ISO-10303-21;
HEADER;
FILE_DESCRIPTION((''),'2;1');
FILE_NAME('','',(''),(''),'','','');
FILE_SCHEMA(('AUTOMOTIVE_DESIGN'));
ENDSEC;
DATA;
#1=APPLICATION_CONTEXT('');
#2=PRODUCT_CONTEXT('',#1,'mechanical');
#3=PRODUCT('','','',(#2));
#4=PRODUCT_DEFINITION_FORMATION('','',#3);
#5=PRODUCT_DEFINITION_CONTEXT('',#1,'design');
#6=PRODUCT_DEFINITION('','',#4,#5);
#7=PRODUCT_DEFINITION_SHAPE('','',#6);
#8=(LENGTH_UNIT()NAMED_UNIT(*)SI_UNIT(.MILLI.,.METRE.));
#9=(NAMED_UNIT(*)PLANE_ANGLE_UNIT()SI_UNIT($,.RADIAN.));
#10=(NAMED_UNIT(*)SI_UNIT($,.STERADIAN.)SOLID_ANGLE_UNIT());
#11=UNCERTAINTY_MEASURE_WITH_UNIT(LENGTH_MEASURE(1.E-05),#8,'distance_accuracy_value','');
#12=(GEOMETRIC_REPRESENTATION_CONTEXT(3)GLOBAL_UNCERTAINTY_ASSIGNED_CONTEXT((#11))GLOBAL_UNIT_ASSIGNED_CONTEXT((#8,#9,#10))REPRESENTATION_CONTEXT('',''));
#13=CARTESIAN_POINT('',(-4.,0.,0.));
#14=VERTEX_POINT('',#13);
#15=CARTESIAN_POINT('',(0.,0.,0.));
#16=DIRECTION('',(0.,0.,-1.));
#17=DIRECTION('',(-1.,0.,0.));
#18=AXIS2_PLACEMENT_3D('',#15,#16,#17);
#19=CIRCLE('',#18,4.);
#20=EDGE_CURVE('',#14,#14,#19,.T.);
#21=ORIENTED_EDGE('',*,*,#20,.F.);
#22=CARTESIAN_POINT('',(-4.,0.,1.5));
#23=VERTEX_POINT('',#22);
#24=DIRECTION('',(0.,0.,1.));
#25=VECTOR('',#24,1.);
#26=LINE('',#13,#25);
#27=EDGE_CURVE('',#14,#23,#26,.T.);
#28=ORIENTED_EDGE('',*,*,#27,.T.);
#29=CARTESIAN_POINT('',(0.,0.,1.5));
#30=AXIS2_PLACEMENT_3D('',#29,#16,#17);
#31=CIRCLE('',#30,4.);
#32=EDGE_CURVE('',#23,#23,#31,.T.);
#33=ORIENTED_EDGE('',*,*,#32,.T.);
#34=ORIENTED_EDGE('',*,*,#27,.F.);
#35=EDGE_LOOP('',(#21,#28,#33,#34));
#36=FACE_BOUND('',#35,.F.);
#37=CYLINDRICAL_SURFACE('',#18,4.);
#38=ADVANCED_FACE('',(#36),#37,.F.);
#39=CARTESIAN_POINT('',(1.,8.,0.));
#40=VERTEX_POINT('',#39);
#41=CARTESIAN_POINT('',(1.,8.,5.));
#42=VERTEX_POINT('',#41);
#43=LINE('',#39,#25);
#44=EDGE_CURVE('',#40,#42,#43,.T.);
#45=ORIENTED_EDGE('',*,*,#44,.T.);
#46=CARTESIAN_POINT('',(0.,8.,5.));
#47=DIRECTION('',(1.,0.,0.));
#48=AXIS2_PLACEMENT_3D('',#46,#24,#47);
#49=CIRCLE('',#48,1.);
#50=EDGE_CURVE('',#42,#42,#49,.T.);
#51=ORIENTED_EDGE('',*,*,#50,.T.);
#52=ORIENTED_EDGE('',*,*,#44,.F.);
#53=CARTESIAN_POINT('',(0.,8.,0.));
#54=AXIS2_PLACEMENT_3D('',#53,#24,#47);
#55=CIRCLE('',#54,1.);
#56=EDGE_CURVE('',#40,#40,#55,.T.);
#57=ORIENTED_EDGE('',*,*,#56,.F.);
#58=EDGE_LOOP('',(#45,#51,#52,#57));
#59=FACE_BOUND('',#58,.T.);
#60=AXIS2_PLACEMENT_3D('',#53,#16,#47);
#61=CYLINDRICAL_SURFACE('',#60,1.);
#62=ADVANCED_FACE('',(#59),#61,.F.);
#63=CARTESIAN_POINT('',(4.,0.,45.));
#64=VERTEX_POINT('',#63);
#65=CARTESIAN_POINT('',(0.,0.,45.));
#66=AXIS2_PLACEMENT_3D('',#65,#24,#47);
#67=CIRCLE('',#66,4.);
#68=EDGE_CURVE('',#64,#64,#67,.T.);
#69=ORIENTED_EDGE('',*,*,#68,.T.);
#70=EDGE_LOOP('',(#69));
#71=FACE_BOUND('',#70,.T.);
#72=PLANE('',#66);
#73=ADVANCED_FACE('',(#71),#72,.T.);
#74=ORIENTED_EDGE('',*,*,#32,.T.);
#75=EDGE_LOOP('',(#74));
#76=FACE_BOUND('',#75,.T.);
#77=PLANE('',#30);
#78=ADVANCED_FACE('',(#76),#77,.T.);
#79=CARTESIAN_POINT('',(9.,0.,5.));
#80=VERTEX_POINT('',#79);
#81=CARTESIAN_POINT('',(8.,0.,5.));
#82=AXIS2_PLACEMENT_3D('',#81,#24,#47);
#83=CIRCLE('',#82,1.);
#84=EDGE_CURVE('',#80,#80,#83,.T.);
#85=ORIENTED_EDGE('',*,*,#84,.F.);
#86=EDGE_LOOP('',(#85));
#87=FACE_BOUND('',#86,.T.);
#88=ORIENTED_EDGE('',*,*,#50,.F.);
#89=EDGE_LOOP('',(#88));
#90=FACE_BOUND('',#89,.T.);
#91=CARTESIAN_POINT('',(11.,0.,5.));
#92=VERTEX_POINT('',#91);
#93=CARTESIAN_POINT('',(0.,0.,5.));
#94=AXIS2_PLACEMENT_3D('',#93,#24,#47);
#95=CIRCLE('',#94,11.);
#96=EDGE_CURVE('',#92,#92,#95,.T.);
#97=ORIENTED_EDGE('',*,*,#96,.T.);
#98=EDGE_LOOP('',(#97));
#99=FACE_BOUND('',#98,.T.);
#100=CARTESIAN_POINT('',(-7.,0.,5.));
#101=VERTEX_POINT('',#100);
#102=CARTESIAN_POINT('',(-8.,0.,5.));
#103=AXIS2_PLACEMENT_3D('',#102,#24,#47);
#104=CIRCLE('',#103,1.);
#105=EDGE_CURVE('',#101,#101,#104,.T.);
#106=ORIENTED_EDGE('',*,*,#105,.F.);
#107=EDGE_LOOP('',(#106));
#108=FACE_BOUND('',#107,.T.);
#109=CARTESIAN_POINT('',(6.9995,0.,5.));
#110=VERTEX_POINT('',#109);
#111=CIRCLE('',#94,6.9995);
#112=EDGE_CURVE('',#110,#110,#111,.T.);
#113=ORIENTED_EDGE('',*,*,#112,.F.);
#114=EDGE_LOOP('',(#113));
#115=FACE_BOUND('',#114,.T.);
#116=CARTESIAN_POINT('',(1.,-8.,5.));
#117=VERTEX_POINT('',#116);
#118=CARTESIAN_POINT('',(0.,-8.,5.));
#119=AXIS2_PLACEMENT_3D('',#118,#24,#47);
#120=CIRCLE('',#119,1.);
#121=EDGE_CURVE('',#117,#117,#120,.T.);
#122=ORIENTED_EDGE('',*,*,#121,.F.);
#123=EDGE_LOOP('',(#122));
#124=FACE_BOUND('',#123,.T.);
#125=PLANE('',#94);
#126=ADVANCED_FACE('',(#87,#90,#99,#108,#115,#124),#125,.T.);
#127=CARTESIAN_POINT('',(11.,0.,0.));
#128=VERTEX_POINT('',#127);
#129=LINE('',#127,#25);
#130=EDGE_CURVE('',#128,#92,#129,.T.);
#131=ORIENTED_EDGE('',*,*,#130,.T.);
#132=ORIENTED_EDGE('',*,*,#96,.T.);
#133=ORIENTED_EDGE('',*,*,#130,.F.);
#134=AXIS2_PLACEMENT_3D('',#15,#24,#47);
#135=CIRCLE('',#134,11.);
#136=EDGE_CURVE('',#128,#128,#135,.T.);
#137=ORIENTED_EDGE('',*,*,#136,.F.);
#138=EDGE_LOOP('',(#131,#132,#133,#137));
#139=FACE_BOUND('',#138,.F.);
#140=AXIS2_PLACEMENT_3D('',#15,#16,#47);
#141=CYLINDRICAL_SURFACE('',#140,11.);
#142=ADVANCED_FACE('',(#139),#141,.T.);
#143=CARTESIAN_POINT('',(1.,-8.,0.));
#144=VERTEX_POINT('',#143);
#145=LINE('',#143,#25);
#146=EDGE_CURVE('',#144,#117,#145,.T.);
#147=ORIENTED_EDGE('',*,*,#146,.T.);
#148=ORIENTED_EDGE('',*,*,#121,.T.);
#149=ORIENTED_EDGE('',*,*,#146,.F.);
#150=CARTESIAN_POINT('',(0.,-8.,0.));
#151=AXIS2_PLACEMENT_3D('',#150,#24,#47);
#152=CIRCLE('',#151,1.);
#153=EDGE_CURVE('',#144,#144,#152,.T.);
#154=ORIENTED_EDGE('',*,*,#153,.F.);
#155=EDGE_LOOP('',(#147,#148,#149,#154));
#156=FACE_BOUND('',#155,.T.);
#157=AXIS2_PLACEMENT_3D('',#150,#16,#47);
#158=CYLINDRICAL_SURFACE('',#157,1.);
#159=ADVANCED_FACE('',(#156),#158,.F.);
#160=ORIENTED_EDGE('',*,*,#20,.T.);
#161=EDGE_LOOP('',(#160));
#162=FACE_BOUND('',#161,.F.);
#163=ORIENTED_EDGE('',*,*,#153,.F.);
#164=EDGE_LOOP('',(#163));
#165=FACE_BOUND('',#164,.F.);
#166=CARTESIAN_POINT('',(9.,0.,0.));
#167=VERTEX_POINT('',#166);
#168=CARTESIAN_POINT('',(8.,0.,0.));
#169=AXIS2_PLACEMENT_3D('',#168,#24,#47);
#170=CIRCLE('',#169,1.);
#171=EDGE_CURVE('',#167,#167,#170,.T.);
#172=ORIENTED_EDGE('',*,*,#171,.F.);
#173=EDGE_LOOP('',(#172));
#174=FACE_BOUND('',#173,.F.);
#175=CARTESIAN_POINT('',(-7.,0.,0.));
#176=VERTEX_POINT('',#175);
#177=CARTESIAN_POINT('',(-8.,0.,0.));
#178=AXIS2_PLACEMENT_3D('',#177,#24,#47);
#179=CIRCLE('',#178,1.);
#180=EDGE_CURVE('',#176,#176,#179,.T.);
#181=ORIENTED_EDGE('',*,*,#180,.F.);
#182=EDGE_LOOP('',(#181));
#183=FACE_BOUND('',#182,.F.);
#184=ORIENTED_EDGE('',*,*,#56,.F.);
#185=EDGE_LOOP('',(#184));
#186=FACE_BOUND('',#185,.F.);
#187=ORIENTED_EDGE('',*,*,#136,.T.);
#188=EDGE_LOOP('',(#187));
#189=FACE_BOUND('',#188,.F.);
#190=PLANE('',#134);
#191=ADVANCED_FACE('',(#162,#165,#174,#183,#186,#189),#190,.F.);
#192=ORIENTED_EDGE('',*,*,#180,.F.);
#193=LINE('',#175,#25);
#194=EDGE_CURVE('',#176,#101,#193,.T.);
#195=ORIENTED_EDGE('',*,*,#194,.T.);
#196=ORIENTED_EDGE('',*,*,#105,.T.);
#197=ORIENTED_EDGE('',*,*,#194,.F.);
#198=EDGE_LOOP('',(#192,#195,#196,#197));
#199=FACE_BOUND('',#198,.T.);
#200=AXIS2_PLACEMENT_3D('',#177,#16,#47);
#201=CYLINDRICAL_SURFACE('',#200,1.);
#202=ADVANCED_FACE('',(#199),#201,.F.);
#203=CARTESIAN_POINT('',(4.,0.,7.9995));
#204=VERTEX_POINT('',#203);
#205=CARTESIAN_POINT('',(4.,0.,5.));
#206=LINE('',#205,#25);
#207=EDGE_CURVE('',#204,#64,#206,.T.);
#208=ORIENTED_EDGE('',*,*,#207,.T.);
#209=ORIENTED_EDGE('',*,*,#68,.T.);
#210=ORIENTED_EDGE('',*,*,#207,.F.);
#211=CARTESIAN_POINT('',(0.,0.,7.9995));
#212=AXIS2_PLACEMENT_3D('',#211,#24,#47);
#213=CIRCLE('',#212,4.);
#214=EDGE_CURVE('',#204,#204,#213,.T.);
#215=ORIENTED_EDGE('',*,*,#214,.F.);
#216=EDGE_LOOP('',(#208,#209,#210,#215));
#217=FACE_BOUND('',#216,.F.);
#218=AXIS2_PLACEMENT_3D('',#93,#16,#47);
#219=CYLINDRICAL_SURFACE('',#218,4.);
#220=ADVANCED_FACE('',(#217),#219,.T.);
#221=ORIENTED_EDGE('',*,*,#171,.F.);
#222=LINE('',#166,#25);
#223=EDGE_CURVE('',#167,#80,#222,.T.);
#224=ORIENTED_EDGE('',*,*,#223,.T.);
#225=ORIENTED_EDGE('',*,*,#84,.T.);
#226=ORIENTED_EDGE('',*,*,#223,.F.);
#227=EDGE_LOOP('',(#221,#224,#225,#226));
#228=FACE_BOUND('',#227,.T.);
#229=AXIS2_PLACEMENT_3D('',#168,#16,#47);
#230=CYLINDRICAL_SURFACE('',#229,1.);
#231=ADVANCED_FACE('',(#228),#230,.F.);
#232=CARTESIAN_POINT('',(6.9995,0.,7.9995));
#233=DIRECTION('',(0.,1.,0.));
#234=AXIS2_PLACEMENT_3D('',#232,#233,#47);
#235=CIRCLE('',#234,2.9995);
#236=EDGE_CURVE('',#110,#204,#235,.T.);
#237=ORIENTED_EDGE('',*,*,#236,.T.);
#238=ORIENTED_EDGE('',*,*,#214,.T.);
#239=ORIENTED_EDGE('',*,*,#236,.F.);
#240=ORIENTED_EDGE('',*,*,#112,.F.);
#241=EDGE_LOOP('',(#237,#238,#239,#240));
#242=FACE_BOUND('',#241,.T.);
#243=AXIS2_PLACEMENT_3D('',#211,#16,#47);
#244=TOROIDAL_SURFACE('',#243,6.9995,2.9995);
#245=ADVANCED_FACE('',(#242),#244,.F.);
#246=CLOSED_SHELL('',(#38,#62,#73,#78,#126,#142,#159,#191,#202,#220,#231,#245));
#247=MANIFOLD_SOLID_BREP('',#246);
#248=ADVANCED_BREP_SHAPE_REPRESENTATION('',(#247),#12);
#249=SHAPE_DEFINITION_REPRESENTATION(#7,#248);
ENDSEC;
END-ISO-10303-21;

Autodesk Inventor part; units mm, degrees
ref_plane "YZ Plane" through (0, 0, 0) normal (1, 0, 0) x (0, 1, 0)
ref_plane "XZ Plane" through (0, 0, 0) normal (0, 1, 0) x (-1, 0, 0)
ref_plane "XY Plane" through (0, 0, 0) normal (0, 0, 1) x (1, 0, 0)
sketch "Esquisse1" plane through (0, 0, 0) normal (0, 0, 1) x (1, 0, 0)
  circle A0 centre (0, 0) radius 11
  circle A1 centre (0, 0) radius 8 construction
  line L0 (0, 0) -> (8, 0) construction
  circle A2 centre (8, 0) radius 1
  line L1 (0, 0) -> (0, 8) construction
  circle A3 centre (0, 8) radius 1
  line L2 (0, 0) -> (-8, 0) construction
  circle A4 centre (-8, 0) radius 1
  line L3 (0, 0) -> (0, -8) construction
  circle A5 centre (0, -8) radius 1
  dimension "d1" = 16
  dimension "d0" = 22
  dimension "d3" = 2
  dimension "d6" = 360
extrude "Extrusion1" add sketch "Esquisse1" along normal blind 5
sketch "Esquisse2" plane through (0, 0, 5) normal (0, 0, 1) x (1, 0, 0)
  circle A0 centre (0, 0) radius 11 projected
  circle A1 centre (0, 0) radius 4
  dimension "d10" = 8
extrude "Extrusion2" add sketch "Esquisse2" along normal blind 40 contours A1
sketch "Esquisse3" plane through (0, 0, 0) normal (0, 0, -1) x (-1, 0, 0)
  circle A0 centre (0, 0) radius 11 projected
  circle A1 centre (0, 0) radius 4
  dimension "d14" = 8
extrude "Extrusion3" cut sketch "Esquisse3" against normal blind 1.5 contours A1
fillet "Congé1" radius 3 1 edges at (-4, 0, 5)
properties part number "ax12tobase"
